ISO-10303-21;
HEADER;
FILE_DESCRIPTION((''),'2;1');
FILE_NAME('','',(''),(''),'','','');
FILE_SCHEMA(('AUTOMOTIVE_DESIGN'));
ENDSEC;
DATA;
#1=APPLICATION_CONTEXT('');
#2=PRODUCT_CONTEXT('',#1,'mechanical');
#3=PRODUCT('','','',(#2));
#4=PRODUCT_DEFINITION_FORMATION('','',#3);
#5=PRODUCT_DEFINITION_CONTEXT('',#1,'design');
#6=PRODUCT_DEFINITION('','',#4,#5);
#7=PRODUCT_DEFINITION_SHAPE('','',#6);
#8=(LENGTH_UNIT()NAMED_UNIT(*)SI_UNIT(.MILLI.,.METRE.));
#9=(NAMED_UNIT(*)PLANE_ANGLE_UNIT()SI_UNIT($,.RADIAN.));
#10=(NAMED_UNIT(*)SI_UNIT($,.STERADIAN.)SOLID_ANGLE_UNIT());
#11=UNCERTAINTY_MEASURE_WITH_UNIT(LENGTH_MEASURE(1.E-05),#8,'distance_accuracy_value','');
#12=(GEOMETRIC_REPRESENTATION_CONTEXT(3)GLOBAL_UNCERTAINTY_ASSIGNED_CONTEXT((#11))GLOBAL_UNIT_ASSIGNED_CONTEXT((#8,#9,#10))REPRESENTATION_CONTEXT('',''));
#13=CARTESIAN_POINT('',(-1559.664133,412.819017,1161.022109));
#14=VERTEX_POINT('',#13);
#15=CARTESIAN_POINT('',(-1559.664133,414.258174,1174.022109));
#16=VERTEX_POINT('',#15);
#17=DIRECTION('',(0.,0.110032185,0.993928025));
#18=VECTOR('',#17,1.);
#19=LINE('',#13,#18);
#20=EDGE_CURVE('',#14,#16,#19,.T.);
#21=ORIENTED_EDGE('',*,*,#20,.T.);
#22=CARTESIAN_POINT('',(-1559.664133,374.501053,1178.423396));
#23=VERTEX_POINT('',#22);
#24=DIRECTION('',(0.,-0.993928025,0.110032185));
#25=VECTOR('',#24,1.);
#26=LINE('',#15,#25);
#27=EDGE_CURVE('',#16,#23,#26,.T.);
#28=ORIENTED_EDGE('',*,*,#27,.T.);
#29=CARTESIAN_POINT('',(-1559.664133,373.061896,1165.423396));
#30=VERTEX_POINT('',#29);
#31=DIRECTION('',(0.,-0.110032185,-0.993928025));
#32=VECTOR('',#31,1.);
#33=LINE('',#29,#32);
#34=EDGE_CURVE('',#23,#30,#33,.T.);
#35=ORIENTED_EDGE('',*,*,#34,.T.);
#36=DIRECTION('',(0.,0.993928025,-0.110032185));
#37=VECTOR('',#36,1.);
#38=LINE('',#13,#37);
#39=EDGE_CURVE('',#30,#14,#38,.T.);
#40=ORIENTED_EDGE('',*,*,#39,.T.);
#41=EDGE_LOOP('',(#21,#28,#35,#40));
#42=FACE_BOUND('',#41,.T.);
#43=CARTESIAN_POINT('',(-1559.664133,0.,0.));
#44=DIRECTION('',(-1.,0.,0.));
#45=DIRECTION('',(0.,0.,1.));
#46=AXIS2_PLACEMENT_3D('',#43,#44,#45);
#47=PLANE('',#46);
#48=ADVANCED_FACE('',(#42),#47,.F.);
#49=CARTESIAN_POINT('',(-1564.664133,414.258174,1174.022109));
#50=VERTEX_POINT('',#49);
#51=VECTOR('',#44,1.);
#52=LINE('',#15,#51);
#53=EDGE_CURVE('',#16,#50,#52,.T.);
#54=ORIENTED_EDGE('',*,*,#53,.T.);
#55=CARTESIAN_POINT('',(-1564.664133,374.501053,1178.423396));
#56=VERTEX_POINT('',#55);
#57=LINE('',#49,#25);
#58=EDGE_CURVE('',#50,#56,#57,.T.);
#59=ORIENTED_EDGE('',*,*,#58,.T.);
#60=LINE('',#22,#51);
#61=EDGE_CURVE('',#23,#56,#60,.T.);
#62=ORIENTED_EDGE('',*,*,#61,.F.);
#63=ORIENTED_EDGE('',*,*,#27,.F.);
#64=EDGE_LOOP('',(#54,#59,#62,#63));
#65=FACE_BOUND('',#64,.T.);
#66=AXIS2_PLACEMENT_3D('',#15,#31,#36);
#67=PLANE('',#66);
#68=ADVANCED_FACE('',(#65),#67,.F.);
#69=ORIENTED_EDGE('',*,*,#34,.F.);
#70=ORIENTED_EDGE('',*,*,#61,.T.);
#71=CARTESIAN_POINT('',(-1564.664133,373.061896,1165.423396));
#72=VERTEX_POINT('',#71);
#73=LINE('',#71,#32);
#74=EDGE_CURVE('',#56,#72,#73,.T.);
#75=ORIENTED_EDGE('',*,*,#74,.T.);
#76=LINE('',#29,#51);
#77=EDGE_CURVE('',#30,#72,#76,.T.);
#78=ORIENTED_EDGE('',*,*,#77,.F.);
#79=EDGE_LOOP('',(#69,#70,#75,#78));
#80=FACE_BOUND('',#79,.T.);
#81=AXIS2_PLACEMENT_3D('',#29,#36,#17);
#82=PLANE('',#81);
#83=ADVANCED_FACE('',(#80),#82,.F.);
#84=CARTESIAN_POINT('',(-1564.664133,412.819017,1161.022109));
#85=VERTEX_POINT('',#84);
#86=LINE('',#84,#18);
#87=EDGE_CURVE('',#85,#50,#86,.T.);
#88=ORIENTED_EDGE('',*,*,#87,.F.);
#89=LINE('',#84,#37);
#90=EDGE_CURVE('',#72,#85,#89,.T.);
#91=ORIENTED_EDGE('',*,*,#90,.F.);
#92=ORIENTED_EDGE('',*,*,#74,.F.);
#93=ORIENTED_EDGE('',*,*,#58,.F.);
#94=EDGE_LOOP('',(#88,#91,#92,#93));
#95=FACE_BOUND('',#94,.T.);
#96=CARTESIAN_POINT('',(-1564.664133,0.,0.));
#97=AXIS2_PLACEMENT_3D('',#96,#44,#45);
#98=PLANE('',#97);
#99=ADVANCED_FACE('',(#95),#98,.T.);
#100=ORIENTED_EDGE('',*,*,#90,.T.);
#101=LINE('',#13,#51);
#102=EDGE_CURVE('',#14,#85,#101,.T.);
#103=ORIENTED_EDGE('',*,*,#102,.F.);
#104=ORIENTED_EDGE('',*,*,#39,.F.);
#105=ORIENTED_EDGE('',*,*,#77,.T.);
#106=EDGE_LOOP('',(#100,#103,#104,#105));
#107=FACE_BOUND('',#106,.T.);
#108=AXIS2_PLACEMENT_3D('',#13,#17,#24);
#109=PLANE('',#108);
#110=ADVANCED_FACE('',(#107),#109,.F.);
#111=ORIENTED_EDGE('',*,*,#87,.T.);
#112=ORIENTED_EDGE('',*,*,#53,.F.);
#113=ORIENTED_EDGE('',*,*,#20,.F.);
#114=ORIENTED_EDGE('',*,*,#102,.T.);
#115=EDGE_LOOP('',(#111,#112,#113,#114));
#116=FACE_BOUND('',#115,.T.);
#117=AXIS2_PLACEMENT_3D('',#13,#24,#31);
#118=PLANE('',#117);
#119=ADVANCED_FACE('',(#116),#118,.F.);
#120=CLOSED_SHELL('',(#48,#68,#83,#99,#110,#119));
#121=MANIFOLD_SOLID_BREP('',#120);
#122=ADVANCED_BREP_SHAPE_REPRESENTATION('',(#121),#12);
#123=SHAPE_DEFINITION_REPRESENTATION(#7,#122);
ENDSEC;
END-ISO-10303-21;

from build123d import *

# Parameters (mm, degrees)
BOSS_EXTRUDE1_DEPTH = 5


with BuildPart() as part:
    # Sketch1 → Boss-Extrude1 (new body)
    with BuildSketch(Plane(origin=(-1564.664133094, 0, 0), x_dir=(0, 0, -1), z_dir=(1, 0, 0))):
        Polygon((-1161.022108966, 412.819017175), (-1174.022108966, 414.258174103), (-1178.423396358, 374.501053114), (-1165.423396358, 373.061896186), align=None)
    extrude(amount=BOSS_EXTRUDE1_DEPTH)


solid = part.part
